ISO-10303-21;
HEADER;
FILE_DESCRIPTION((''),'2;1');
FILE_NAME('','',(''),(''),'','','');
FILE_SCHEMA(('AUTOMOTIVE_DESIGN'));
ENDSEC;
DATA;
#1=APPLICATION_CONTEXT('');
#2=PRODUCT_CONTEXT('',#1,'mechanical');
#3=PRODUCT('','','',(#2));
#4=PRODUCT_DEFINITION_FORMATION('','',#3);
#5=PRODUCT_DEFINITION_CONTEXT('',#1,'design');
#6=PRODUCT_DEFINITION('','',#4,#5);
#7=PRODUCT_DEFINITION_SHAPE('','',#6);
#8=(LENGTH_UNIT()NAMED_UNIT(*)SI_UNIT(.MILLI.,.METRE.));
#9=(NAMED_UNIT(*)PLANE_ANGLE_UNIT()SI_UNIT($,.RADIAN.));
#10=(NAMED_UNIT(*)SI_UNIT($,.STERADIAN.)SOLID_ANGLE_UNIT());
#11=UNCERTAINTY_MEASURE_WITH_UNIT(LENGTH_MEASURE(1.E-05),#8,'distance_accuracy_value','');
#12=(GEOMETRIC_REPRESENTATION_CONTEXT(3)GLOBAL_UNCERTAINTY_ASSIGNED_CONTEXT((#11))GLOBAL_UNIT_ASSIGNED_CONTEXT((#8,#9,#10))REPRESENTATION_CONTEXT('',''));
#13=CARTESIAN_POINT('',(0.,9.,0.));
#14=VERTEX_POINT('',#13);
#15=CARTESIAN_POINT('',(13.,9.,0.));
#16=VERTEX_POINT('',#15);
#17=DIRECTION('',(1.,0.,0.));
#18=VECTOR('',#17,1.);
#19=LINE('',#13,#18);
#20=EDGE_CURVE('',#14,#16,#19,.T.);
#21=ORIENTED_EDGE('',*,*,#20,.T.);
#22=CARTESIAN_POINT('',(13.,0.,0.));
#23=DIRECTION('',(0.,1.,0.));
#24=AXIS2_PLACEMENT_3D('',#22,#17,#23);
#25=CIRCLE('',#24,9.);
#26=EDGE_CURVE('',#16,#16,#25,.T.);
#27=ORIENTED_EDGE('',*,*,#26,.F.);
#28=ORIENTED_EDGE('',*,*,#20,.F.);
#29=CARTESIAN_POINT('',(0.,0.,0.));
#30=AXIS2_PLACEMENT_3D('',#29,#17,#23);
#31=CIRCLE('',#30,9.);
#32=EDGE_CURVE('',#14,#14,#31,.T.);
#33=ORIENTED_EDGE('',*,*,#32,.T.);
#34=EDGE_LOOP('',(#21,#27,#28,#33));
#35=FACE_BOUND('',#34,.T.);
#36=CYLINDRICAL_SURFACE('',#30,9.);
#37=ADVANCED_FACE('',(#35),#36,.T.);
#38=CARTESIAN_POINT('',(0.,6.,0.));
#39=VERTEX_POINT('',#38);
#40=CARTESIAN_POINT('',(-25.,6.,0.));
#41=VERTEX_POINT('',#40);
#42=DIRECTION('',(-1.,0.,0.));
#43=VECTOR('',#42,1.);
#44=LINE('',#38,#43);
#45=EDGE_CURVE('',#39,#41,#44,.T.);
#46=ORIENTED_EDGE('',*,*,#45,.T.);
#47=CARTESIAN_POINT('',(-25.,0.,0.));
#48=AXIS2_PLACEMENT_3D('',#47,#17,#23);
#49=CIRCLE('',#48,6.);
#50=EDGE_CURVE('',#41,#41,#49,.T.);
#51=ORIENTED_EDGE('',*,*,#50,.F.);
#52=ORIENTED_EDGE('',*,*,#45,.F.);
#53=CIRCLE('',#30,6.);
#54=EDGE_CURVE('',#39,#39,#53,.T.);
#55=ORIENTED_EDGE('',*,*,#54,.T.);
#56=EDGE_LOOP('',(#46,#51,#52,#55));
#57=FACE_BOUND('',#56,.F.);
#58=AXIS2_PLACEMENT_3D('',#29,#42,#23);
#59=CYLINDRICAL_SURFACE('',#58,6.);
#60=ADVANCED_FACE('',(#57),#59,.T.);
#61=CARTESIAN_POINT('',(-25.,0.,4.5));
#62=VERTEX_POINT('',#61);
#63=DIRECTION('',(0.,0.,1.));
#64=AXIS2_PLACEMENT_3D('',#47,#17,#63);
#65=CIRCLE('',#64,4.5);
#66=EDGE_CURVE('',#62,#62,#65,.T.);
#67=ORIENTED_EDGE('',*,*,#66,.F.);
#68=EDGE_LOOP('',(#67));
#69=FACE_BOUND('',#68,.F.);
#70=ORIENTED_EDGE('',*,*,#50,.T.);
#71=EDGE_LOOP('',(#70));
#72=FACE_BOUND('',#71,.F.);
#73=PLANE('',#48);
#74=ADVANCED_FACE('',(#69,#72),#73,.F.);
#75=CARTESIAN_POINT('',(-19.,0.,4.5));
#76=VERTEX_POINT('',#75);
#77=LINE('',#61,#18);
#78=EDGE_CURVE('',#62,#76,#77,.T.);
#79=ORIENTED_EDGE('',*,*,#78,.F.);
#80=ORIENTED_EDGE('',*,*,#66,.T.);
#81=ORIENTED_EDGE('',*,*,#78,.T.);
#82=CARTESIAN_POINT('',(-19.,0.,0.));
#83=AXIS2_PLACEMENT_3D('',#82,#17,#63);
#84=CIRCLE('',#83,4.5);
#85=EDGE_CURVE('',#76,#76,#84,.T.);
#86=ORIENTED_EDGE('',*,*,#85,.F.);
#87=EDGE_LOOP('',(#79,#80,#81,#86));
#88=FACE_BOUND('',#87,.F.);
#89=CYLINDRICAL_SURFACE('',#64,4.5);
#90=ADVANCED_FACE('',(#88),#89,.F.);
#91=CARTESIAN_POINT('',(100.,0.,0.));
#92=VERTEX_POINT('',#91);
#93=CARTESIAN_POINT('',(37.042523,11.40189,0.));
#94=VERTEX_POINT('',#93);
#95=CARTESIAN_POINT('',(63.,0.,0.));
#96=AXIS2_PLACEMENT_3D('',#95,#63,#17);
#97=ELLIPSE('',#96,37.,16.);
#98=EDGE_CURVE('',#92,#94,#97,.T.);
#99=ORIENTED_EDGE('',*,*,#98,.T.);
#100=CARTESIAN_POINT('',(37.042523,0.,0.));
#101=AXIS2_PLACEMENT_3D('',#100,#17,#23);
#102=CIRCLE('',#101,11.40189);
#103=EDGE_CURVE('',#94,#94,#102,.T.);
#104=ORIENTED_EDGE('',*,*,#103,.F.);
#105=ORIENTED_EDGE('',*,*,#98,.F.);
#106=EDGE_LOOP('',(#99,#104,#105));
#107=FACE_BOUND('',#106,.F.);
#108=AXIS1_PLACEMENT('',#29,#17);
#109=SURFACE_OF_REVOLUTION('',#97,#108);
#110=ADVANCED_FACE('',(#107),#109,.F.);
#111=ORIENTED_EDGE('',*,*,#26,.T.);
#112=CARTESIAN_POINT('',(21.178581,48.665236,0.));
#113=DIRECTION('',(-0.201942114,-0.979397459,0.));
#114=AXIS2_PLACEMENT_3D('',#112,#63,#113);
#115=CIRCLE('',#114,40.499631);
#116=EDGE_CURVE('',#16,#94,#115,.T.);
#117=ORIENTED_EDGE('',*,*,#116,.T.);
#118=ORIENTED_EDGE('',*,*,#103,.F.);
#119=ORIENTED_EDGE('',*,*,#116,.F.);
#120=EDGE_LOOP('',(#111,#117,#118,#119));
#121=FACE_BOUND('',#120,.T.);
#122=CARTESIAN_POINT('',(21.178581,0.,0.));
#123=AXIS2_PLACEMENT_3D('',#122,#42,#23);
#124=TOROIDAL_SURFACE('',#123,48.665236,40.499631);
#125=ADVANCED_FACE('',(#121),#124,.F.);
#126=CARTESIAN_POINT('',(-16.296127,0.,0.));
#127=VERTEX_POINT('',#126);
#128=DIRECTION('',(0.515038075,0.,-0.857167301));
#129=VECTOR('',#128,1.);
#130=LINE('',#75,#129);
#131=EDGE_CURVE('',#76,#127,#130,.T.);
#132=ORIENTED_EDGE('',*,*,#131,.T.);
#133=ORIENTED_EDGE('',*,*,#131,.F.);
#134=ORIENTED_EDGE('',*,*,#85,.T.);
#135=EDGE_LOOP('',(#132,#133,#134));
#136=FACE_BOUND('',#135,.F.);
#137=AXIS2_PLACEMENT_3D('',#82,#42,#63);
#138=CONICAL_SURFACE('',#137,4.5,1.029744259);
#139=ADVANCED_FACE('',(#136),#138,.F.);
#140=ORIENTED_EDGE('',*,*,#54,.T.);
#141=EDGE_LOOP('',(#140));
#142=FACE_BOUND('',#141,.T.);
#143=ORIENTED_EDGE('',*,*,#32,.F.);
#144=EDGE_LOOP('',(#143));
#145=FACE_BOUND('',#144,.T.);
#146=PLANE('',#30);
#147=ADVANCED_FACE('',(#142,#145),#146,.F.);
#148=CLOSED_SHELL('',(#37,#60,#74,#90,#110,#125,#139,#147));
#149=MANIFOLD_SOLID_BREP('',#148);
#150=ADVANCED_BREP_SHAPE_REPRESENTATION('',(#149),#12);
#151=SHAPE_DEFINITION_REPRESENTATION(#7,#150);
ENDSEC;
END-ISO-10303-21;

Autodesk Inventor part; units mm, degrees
ref_plane "YZ Plane" through (0, 0, 0) normal (1, 0, 0) x (0, 1, 0)
ref_plane "XZ Plane" through (0, 0, 0) normal (0, 1, 0) x (-1, 0, 0)
ref_plane "XY Plane" through (0, 0, 0) normal (0, 0, 1) x (1, 0, 0)
sketch "草图1" plane through (0, 0, 0) normal (0, 0, 1) x (1, 0, 0)
  line L0 (0, 6) -> (0, 9)
  line L1 (0, 9) -> (13, 9)
  line L2 (0, 0) -> (63, 0)
  arc A0 (13, 9) -> (37.0425, 11.4019) centre (21.1786, 48.6656) ccw
  line L3 (0, 0) -> (100, 0)
  ellipse E0 centre (63, 0) end of major axis (100, 0) minor radius 16 (100, 0) -> (37.0425, 11.4019) ccw
  line L4 (0, 6) -> (-25, 6)
  line L5 (-25, 6) -> (-25, 0)
  line L6 (-25, 0) -> (0, 0)
  dimension "d6" = 16
  dimension "d1" = 13
  dimension "d3" = 81
  dimension "d8" = 25
revolve "旋转1" add sketch "草图1" angle 360 about axis through (0, 0, 0) along (1, 0, 0)
sketch "草图2" plane through (-25, 0, 0) normal (-1, 0, 0) x (0, 0, 1)
  point P0 (0, 0)
  point P1 (0, 0)
hole "孔1" at (-25, 0, 0) direction (1, 0, 0) diameter 9 depth 6 tip angle 118
equation "\"折弯半径\" = 厚度"
equation "\"折弯释压宽度\" = 厚度"
equation "\"折弯释压深度\" = 0.5 * 厚度"
equation "\"拐角释压尺寸\" = 4 * 厚度"
equation "\"最小余量\" = 2 * 厚度"
equation "\"过渡半径\" = 折弯半径"
equation "\"Jacobi半径尺寸\" = 厚度"
equation "\"间隙大小\" = 厚度"
equation "\"厚度\" = 0.5"
properties part number "特征2"
